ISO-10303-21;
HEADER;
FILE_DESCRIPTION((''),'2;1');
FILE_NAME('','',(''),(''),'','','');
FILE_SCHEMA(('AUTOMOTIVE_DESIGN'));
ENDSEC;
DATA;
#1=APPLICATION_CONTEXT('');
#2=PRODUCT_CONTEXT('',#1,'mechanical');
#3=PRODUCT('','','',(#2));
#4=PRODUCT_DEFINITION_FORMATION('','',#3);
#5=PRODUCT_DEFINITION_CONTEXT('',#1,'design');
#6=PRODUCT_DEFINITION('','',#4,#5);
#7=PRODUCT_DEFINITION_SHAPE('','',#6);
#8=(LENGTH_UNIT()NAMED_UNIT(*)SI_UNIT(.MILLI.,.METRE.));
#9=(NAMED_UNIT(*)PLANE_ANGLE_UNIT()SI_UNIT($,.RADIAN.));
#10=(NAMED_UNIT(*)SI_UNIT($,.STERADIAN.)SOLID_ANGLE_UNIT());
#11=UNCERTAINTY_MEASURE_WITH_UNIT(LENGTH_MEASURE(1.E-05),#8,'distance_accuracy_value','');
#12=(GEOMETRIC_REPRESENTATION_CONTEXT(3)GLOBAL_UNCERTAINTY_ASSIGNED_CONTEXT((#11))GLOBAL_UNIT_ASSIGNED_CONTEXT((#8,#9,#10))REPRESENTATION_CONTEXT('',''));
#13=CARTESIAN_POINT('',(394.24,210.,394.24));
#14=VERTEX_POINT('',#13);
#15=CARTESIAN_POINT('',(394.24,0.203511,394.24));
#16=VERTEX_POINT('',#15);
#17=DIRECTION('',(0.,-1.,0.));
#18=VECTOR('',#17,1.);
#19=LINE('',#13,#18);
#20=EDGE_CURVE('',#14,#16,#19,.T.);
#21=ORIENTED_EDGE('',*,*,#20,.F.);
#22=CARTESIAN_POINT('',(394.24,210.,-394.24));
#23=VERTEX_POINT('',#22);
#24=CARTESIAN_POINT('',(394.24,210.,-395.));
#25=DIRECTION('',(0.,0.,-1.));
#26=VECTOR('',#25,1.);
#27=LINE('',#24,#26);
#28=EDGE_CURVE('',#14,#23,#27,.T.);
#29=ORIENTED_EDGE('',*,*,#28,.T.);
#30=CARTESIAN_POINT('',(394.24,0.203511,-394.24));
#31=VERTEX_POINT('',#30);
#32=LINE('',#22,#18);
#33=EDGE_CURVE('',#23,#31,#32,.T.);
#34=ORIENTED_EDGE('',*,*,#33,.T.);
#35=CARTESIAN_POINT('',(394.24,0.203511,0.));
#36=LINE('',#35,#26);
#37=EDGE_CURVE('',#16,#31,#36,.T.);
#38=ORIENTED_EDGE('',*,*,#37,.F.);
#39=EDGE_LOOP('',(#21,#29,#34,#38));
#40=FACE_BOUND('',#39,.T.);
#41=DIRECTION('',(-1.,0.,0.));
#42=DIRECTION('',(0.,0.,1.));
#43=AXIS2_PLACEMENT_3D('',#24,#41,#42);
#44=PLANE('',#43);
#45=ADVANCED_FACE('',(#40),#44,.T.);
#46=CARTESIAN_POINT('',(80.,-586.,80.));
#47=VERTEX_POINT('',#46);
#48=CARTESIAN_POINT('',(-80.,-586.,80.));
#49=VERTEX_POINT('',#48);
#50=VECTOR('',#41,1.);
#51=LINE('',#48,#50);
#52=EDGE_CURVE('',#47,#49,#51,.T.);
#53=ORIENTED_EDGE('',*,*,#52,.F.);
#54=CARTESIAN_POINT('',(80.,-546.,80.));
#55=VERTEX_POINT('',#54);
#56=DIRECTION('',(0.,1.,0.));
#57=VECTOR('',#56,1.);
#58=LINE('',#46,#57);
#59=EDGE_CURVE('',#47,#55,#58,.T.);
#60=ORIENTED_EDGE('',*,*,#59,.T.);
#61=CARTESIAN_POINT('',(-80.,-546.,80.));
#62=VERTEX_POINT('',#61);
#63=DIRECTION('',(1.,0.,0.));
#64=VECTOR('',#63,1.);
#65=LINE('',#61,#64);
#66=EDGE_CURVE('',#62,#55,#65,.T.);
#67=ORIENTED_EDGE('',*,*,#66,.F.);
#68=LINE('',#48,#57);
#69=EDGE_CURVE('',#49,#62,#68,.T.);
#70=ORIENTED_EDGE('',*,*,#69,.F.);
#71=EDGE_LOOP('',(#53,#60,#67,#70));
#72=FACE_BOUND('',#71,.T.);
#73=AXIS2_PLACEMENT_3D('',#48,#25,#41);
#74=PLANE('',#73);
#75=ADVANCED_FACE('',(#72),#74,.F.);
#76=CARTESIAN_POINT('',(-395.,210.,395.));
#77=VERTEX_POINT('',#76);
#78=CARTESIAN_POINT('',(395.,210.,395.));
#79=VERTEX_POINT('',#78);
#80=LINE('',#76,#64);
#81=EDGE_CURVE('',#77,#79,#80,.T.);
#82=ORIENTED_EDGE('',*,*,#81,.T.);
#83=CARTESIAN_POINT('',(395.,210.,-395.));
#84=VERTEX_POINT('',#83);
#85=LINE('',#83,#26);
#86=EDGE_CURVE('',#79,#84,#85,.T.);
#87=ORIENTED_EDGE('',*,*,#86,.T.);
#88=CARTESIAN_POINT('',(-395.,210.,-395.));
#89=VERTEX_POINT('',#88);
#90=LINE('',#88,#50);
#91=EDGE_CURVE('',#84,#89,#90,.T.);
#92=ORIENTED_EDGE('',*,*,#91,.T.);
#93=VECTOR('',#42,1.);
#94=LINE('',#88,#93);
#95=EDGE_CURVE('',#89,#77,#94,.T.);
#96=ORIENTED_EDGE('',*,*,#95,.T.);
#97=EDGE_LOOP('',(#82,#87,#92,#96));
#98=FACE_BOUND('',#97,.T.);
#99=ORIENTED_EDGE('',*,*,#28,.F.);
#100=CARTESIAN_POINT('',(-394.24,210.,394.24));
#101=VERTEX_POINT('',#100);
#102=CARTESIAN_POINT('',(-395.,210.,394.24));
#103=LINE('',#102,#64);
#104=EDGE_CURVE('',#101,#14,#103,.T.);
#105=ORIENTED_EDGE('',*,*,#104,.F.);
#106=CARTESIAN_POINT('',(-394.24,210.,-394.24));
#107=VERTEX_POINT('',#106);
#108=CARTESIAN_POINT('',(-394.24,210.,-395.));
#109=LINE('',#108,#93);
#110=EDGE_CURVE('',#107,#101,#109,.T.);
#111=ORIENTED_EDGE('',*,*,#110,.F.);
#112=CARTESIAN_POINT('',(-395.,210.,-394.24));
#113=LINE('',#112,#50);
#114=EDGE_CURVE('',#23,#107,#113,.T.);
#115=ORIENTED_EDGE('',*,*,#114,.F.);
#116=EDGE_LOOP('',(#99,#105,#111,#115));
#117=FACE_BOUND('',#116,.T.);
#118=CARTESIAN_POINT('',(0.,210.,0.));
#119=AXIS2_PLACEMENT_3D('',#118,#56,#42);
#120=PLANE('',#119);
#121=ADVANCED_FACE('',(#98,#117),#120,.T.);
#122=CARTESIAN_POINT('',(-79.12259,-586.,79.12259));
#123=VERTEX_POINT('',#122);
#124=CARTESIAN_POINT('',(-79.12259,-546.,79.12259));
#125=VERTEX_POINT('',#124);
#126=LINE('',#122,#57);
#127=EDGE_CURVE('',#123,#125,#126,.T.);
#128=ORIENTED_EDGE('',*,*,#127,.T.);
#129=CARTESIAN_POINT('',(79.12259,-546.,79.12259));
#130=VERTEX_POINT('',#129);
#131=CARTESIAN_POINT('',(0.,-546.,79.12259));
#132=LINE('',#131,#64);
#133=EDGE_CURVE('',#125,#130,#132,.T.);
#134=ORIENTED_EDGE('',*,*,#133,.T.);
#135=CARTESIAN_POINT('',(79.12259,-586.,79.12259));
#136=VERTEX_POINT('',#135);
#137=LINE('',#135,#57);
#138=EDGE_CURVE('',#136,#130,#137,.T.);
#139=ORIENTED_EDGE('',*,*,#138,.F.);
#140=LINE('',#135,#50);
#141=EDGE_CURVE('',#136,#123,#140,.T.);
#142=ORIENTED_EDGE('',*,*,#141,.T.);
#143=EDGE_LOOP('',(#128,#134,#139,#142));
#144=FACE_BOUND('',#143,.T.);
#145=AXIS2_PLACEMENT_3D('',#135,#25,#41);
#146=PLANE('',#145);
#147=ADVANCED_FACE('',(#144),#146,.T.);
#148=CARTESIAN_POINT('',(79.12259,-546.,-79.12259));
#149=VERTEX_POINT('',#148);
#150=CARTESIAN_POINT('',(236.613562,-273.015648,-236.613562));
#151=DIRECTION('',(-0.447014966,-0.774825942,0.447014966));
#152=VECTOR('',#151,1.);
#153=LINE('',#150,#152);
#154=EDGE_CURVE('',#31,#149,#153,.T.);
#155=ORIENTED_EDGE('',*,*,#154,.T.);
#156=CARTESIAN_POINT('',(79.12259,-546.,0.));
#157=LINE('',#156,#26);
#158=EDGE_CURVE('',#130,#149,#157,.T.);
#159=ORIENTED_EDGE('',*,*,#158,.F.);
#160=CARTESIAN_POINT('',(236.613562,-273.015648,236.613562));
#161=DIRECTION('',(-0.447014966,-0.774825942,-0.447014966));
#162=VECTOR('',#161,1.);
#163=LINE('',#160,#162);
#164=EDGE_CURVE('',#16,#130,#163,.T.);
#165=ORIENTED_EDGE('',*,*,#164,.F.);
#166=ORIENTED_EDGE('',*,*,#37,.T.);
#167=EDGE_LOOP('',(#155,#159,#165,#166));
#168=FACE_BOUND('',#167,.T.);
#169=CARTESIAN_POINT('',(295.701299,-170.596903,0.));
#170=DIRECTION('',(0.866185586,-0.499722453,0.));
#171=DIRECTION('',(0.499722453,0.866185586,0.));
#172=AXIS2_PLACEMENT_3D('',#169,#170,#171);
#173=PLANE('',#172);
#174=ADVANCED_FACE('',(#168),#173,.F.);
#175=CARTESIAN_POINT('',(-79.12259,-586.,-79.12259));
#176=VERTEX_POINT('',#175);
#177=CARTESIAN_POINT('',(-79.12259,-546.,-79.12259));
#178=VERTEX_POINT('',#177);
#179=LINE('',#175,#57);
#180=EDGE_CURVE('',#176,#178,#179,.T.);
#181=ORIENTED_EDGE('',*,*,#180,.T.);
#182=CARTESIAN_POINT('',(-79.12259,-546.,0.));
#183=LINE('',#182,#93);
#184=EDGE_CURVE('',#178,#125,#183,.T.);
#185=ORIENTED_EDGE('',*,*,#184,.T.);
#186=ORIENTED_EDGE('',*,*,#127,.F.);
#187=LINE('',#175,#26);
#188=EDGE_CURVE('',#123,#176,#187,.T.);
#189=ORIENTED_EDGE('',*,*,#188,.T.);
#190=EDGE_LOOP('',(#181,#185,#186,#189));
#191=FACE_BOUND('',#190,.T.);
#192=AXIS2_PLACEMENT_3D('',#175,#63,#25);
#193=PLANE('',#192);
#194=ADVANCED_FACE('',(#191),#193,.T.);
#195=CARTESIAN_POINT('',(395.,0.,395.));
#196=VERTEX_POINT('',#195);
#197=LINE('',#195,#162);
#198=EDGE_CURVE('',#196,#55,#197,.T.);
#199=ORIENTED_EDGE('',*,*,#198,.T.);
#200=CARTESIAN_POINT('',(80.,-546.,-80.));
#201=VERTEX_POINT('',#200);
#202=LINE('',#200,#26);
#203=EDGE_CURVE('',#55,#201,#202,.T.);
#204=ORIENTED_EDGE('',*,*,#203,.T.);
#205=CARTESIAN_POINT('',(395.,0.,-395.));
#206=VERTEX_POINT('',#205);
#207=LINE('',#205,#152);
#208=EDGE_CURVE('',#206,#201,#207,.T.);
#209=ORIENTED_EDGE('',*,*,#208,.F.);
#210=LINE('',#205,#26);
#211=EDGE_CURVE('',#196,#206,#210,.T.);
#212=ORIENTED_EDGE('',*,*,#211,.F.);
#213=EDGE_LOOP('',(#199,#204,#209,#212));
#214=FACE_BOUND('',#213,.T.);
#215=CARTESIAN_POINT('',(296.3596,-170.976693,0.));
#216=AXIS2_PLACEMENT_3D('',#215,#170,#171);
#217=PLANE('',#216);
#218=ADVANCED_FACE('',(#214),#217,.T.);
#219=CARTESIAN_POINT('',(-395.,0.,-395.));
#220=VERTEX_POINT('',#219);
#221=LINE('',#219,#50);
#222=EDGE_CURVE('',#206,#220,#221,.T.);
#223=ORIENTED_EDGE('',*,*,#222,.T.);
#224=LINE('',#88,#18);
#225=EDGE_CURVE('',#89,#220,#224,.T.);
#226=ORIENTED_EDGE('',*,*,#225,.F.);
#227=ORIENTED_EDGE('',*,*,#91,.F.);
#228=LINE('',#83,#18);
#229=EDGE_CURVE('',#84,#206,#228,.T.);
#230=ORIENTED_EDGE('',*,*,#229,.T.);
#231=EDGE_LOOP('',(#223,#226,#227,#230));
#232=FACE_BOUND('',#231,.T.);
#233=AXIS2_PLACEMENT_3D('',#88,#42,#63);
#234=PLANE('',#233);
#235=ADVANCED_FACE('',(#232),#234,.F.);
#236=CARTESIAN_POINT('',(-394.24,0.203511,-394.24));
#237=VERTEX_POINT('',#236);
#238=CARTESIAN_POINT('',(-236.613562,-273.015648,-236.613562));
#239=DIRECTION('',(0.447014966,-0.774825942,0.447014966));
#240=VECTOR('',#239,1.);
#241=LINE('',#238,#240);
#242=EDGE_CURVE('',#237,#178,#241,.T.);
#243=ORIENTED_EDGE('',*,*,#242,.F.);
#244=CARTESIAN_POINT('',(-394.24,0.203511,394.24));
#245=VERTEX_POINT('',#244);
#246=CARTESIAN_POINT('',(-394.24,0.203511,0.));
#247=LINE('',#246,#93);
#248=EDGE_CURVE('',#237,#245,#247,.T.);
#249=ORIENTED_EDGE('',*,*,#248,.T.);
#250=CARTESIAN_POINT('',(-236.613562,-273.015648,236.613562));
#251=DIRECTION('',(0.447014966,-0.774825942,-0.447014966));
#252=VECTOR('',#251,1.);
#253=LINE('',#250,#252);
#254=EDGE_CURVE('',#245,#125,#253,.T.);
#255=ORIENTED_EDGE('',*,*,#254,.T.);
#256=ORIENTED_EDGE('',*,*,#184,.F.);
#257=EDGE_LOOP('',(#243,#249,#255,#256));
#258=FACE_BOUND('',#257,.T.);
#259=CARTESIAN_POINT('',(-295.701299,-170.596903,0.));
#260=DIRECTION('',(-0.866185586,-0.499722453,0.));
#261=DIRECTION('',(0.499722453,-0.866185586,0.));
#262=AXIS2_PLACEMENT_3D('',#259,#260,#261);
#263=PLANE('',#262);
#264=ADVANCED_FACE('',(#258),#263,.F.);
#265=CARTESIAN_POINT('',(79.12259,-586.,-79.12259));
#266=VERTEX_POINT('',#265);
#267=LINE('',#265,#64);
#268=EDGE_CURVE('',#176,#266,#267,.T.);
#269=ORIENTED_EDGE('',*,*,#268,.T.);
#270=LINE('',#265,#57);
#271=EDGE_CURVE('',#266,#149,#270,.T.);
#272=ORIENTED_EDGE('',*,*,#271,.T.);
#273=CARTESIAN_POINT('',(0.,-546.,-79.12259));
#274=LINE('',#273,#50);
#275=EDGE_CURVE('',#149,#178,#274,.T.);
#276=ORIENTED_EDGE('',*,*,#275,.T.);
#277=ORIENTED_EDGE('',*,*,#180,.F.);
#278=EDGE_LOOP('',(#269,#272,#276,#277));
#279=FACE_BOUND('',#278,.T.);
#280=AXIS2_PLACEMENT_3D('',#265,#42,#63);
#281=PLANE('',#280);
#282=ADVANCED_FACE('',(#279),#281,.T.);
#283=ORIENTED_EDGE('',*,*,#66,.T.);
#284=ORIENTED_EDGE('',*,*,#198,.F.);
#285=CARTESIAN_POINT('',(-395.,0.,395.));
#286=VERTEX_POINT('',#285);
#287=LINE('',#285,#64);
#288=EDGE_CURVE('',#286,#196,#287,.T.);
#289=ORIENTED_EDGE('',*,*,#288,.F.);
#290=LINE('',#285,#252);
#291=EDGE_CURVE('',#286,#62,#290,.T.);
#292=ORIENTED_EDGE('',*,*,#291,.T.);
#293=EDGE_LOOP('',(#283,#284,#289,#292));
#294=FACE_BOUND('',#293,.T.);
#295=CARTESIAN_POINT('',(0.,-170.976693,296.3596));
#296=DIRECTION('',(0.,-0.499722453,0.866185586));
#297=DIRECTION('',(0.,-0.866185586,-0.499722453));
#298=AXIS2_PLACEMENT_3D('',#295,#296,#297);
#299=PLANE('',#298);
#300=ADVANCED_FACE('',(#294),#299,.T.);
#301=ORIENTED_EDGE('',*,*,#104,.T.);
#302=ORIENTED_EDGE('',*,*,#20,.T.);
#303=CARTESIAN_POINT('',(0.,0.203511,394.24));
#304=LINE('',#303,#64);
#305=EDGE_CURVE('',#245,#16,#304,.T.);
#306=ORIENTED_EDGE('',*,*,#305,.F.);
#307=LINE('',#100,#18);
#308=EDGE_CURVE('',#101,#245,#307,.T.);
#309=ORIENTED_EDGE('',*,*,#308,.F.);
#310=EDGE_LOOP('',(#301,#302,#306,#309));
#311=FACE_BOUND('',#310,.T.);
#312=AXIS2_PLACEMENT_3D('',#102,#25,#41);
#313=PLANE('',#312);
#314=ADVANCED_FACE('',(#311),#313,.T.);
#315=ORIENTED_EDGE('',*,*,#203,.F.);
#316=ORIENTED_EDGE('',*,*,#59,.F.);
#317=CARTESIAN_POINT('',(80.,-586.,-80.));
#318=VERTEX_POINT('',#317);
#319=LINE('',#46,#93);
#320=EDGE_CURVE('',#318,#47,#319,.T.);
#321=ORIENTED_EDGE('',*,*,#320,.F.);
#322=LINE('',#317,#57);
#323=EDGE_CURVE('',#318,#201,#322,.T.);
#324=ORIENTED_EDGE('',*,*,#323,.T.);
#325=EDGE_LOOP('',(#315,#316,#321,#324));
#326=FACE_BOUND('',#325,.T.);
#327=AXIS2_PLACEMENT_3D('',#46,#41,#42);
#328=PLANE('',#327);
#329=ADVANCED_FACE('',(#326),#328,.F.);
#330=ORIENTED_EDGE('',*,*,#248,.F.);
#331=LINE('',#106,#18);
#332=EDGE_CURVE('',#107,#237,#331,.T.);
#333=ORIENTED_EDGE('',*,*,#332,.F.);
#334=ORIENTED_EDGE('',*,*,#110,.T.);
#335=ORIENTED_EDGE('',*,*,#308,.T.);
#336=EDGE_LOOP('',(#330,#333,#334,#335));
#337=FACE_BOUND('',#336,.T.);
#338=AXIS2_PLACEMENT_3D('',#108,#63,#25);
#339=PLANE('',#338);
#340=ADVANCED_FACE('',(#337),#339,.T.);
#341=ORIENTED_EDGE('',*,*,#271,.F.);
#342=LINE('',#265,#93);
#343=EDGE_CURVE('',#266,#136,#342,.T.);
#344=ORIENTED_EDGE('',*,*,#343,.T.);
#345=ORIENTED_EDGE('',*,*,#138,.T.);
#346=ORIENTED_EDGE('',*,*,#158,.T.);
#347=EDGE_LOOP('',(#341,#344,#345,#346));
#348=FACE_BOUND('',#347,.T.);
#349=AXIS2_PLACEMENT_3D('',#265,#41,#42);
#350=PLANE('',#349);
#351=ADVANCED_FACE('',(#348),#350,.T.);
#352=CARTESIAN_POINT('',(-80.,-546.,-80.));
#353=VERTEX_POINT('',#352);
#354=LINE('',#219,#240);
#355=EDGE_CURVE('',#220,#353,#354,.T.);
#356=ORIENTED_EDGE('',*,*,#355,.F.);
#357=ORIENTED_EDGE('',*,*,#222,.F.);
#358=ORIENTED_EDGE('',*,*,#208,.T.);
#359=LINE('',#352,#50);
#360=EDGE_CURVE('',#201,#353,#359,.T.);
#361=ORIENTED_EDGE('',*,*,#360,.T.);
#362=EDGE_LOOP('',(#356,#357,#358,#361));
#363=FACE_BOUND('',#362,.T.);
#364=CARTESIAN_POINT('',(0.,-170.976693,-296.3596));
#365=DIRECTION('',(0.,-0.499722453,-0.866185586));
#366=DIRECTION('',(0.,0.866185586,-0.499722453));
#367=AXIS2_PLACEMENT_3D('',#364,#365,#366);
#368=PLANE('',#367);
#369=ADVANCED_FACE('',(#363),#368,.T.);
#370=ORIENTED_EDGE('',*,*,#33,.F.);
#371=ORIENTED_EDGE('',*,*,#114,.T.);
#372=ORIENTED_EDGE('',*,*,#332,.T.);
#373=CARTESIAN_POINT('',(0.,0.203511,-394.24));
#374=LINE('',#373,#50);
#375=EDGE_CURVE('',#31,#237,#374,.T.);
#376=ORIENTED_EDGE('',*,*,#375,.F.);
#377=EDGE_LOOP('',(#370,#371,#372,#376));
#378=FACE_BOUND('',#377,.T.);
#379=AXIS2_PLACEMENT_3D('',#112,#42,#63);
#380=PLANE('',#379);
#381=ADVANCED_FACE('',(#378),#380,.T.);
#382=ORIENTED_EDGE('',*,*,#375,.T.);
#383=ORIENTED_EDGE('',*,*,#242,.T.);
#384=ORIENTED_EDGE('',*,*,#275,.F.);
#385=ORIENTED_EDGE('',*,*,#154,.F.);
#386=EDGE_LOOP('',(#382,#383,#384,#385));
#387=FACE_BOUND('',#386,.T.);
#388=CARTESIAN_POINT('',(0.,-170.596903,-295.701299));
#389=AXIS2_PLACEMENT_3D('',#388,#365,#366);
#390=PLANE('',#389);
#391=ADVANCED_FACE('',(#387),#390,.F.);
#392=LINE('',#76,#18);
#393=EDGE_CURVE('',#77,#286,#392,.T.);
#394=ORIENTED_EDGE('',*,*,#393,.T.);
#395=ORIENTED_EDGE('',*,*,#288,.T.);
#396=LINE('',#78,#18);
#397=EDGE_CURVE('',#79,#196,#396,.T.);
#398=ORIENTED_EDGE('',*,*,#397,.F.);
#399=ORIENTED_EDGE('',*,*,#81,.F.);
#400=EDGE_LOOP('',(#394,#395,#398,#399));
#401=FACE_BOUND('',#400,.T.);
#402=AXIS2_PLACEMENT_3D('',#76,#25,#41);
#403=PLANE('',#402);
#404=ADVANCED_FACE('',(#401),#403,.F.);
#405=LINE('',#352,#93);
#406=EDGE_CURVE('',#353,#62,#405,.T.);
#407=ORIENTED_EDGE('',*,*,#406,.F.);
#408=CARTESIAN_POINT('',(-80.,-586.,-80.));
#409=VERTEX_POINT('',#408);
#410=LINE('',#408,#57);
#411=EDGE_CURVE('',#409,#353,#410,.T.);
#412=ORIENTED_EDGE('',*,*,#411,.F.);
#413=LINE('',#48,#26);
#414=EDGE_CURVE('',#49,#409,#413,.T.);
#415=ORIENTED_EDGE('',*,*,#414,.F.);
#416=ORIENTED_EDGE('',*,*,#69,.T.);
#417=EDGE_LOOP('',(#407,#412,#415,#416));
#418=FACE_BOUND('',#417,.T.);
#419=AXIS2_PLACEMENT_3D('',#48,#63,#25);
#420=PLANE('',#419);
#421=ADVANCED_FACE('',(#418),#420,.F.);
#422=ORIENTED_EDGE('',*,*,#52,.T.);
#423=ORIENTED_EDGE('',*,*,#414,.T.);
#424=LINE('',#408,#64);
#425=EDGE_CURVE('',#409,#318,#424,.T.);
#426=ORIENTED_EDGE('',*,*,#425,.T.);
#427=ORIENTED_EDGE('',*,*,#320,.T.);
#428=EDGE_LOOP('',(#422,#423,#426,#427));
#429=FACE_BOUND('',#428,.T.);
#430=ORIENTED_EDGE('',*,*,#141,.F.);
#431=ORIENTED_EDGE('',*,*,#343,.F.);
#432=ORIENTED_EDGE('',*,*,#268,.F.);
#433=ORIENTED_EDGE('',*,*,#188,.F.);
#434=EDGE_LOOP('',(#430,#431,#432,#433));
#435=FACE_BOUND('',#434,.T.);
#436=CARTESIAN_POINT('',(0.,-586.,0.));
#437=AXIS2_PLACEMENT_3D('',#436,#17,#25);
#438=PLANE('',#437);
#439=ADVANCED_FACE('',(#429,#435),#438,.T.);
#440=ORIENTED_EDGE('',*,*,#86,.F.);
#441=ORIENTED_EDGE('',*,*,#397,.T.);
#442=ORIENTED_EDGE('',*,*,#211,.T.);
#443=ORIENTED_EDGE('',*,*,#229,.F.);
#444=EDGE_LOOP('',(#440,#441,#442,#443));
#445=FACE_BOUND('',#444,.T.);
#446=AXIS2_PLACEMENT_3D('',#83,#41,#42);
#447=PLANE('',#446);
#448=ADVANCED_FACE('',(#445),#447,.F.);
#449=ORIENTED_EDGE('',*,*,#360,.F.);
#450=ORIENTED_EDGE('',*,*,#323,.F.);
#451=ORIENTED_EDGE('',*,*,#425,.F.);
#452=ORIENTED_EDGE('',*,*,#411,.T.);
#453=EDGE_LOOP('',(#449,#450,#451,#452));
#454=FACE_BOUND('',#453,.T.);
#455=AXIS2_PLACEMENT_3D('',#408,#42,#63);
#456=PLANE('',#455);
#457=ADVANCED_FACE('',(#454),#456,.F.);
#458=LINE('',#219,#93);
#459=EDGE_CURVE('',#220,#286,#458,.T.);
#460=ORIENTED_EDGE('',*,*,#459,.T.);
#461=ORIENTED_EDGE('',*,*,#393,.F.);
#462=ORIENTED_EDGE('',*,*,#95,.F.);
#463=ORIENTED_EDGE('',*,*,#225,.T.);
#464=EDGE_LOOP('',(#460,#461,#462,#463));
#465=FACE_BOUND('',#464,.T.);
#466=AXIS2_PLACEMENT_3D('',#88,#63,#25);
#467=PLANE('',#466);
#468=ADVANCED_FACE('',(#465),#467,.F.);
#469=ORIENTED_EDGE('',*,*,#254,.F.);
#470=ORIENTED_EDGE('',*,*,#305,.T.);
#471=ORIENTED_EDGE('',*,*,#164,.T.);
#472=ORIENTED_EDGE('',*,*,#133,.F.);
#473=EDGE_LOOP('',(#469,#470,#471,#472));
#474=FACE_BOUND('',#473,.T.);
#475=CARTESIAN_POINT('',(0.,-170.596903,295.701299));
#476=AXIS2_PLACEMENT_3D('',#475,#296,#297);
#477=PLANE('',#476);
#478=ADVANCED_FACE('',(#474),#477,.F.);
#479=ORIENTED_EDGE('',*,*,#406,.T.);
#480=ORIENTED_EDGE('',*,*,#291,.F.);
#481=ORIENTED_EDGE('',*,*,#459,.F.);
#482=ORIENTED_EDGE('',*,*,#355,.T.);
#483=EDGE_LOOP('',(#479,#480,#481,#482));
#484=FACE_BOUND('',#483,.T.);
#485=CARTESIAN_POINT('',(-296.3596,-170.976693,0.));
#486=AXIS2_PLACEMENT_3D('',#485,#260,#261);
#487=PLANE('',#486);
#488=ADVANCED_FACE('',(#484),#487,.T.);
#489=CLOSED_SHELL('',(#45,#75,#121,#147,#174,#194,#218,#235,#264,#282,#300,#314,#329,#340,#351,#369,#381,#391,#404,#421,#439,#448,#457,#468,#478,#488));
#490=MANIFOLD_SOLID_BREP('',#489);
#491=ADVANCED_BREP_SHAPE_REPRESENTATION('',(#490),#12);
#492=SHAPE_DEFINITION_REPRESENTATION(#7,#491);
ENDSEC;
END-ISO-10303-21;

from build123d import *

# Parameters (mm, degrees)
CROQUIS3_W              = 790
CROQUIS3_H              = 790
SALIENTE_EXTRUIR1_DEPTH = 210
VACIADO2_T              = -0.76
CROQUIS5_W              = 160
CROQUIS5_H              = 160
CROQUIS5_W_2            = 158.245179758
CROQUIS5_H_2            = 158.245179758
SALIENTE_EXTRUIR2_DEPTH = 40


with BuildPart() as part:
    # Croquis1 → Recubrir1 section 0
    with BuildSketch(Plane(origin=(0, 0, 0), x_dir=(1, 0, 0), z_dir=(0, 1, 0))):
        with BuildLine():
            Line((-395, 395), (395, 395))
            Line((395, 395), (395, -395))
            Line((395, -395), (-395, -395))
            Line((-395, -395), (-395, 395))
        make_face()
    # Croquis2 → Recubrir1 section 1
    with BuildSketch(Plane(origin=(0, -546, 0), x_dir=(1, 0, 0), z_dir=(0, 1, 0))):
        with BuildLine():
            Line((-80, 80), (80, 80))
            Line((80, 80), (80, -80))
            Line((80, -80), (-80, -80))
            Line((-80, -80), (-80, 80))
        make_face()
    loft()

    # Croquis3 → Saliente-Extruir1 (add)
    with BuildSketch(Plane(origin=(0, 0, 0), x_dir=(1, 0, 0), z_dir=(0, 1, 0))):
        Rectangle(CROQUIS3_W, CROQUIS3_H)
    extrude(amount=SALIENTE_EXTRUIR1_DEPTH)

    # Vaciado2
    vaciado2_openings = [part.faces().sort_by_distance(p)[0] for p in [
        (0, -546, 0),
        (0, 210, 0),
    ]]
    offset(amount=VACIADO2_T, openings=vaciado2_openings)

    # Croquis5 → Saliente-Extruir2 (add)
    with BuildSketch(Plane.XZ.offset(546)):
        Rectangle(CROQUIS5_W, CROQUIS5_H)
        Rectangle(CROQUIS5_W_2, CROQUIS5_H_2, mode=Mode.SUBTRACT)
    extrude(amount=SALIENTE_EXTRUIR2_DEPTH)


solid = part.part
